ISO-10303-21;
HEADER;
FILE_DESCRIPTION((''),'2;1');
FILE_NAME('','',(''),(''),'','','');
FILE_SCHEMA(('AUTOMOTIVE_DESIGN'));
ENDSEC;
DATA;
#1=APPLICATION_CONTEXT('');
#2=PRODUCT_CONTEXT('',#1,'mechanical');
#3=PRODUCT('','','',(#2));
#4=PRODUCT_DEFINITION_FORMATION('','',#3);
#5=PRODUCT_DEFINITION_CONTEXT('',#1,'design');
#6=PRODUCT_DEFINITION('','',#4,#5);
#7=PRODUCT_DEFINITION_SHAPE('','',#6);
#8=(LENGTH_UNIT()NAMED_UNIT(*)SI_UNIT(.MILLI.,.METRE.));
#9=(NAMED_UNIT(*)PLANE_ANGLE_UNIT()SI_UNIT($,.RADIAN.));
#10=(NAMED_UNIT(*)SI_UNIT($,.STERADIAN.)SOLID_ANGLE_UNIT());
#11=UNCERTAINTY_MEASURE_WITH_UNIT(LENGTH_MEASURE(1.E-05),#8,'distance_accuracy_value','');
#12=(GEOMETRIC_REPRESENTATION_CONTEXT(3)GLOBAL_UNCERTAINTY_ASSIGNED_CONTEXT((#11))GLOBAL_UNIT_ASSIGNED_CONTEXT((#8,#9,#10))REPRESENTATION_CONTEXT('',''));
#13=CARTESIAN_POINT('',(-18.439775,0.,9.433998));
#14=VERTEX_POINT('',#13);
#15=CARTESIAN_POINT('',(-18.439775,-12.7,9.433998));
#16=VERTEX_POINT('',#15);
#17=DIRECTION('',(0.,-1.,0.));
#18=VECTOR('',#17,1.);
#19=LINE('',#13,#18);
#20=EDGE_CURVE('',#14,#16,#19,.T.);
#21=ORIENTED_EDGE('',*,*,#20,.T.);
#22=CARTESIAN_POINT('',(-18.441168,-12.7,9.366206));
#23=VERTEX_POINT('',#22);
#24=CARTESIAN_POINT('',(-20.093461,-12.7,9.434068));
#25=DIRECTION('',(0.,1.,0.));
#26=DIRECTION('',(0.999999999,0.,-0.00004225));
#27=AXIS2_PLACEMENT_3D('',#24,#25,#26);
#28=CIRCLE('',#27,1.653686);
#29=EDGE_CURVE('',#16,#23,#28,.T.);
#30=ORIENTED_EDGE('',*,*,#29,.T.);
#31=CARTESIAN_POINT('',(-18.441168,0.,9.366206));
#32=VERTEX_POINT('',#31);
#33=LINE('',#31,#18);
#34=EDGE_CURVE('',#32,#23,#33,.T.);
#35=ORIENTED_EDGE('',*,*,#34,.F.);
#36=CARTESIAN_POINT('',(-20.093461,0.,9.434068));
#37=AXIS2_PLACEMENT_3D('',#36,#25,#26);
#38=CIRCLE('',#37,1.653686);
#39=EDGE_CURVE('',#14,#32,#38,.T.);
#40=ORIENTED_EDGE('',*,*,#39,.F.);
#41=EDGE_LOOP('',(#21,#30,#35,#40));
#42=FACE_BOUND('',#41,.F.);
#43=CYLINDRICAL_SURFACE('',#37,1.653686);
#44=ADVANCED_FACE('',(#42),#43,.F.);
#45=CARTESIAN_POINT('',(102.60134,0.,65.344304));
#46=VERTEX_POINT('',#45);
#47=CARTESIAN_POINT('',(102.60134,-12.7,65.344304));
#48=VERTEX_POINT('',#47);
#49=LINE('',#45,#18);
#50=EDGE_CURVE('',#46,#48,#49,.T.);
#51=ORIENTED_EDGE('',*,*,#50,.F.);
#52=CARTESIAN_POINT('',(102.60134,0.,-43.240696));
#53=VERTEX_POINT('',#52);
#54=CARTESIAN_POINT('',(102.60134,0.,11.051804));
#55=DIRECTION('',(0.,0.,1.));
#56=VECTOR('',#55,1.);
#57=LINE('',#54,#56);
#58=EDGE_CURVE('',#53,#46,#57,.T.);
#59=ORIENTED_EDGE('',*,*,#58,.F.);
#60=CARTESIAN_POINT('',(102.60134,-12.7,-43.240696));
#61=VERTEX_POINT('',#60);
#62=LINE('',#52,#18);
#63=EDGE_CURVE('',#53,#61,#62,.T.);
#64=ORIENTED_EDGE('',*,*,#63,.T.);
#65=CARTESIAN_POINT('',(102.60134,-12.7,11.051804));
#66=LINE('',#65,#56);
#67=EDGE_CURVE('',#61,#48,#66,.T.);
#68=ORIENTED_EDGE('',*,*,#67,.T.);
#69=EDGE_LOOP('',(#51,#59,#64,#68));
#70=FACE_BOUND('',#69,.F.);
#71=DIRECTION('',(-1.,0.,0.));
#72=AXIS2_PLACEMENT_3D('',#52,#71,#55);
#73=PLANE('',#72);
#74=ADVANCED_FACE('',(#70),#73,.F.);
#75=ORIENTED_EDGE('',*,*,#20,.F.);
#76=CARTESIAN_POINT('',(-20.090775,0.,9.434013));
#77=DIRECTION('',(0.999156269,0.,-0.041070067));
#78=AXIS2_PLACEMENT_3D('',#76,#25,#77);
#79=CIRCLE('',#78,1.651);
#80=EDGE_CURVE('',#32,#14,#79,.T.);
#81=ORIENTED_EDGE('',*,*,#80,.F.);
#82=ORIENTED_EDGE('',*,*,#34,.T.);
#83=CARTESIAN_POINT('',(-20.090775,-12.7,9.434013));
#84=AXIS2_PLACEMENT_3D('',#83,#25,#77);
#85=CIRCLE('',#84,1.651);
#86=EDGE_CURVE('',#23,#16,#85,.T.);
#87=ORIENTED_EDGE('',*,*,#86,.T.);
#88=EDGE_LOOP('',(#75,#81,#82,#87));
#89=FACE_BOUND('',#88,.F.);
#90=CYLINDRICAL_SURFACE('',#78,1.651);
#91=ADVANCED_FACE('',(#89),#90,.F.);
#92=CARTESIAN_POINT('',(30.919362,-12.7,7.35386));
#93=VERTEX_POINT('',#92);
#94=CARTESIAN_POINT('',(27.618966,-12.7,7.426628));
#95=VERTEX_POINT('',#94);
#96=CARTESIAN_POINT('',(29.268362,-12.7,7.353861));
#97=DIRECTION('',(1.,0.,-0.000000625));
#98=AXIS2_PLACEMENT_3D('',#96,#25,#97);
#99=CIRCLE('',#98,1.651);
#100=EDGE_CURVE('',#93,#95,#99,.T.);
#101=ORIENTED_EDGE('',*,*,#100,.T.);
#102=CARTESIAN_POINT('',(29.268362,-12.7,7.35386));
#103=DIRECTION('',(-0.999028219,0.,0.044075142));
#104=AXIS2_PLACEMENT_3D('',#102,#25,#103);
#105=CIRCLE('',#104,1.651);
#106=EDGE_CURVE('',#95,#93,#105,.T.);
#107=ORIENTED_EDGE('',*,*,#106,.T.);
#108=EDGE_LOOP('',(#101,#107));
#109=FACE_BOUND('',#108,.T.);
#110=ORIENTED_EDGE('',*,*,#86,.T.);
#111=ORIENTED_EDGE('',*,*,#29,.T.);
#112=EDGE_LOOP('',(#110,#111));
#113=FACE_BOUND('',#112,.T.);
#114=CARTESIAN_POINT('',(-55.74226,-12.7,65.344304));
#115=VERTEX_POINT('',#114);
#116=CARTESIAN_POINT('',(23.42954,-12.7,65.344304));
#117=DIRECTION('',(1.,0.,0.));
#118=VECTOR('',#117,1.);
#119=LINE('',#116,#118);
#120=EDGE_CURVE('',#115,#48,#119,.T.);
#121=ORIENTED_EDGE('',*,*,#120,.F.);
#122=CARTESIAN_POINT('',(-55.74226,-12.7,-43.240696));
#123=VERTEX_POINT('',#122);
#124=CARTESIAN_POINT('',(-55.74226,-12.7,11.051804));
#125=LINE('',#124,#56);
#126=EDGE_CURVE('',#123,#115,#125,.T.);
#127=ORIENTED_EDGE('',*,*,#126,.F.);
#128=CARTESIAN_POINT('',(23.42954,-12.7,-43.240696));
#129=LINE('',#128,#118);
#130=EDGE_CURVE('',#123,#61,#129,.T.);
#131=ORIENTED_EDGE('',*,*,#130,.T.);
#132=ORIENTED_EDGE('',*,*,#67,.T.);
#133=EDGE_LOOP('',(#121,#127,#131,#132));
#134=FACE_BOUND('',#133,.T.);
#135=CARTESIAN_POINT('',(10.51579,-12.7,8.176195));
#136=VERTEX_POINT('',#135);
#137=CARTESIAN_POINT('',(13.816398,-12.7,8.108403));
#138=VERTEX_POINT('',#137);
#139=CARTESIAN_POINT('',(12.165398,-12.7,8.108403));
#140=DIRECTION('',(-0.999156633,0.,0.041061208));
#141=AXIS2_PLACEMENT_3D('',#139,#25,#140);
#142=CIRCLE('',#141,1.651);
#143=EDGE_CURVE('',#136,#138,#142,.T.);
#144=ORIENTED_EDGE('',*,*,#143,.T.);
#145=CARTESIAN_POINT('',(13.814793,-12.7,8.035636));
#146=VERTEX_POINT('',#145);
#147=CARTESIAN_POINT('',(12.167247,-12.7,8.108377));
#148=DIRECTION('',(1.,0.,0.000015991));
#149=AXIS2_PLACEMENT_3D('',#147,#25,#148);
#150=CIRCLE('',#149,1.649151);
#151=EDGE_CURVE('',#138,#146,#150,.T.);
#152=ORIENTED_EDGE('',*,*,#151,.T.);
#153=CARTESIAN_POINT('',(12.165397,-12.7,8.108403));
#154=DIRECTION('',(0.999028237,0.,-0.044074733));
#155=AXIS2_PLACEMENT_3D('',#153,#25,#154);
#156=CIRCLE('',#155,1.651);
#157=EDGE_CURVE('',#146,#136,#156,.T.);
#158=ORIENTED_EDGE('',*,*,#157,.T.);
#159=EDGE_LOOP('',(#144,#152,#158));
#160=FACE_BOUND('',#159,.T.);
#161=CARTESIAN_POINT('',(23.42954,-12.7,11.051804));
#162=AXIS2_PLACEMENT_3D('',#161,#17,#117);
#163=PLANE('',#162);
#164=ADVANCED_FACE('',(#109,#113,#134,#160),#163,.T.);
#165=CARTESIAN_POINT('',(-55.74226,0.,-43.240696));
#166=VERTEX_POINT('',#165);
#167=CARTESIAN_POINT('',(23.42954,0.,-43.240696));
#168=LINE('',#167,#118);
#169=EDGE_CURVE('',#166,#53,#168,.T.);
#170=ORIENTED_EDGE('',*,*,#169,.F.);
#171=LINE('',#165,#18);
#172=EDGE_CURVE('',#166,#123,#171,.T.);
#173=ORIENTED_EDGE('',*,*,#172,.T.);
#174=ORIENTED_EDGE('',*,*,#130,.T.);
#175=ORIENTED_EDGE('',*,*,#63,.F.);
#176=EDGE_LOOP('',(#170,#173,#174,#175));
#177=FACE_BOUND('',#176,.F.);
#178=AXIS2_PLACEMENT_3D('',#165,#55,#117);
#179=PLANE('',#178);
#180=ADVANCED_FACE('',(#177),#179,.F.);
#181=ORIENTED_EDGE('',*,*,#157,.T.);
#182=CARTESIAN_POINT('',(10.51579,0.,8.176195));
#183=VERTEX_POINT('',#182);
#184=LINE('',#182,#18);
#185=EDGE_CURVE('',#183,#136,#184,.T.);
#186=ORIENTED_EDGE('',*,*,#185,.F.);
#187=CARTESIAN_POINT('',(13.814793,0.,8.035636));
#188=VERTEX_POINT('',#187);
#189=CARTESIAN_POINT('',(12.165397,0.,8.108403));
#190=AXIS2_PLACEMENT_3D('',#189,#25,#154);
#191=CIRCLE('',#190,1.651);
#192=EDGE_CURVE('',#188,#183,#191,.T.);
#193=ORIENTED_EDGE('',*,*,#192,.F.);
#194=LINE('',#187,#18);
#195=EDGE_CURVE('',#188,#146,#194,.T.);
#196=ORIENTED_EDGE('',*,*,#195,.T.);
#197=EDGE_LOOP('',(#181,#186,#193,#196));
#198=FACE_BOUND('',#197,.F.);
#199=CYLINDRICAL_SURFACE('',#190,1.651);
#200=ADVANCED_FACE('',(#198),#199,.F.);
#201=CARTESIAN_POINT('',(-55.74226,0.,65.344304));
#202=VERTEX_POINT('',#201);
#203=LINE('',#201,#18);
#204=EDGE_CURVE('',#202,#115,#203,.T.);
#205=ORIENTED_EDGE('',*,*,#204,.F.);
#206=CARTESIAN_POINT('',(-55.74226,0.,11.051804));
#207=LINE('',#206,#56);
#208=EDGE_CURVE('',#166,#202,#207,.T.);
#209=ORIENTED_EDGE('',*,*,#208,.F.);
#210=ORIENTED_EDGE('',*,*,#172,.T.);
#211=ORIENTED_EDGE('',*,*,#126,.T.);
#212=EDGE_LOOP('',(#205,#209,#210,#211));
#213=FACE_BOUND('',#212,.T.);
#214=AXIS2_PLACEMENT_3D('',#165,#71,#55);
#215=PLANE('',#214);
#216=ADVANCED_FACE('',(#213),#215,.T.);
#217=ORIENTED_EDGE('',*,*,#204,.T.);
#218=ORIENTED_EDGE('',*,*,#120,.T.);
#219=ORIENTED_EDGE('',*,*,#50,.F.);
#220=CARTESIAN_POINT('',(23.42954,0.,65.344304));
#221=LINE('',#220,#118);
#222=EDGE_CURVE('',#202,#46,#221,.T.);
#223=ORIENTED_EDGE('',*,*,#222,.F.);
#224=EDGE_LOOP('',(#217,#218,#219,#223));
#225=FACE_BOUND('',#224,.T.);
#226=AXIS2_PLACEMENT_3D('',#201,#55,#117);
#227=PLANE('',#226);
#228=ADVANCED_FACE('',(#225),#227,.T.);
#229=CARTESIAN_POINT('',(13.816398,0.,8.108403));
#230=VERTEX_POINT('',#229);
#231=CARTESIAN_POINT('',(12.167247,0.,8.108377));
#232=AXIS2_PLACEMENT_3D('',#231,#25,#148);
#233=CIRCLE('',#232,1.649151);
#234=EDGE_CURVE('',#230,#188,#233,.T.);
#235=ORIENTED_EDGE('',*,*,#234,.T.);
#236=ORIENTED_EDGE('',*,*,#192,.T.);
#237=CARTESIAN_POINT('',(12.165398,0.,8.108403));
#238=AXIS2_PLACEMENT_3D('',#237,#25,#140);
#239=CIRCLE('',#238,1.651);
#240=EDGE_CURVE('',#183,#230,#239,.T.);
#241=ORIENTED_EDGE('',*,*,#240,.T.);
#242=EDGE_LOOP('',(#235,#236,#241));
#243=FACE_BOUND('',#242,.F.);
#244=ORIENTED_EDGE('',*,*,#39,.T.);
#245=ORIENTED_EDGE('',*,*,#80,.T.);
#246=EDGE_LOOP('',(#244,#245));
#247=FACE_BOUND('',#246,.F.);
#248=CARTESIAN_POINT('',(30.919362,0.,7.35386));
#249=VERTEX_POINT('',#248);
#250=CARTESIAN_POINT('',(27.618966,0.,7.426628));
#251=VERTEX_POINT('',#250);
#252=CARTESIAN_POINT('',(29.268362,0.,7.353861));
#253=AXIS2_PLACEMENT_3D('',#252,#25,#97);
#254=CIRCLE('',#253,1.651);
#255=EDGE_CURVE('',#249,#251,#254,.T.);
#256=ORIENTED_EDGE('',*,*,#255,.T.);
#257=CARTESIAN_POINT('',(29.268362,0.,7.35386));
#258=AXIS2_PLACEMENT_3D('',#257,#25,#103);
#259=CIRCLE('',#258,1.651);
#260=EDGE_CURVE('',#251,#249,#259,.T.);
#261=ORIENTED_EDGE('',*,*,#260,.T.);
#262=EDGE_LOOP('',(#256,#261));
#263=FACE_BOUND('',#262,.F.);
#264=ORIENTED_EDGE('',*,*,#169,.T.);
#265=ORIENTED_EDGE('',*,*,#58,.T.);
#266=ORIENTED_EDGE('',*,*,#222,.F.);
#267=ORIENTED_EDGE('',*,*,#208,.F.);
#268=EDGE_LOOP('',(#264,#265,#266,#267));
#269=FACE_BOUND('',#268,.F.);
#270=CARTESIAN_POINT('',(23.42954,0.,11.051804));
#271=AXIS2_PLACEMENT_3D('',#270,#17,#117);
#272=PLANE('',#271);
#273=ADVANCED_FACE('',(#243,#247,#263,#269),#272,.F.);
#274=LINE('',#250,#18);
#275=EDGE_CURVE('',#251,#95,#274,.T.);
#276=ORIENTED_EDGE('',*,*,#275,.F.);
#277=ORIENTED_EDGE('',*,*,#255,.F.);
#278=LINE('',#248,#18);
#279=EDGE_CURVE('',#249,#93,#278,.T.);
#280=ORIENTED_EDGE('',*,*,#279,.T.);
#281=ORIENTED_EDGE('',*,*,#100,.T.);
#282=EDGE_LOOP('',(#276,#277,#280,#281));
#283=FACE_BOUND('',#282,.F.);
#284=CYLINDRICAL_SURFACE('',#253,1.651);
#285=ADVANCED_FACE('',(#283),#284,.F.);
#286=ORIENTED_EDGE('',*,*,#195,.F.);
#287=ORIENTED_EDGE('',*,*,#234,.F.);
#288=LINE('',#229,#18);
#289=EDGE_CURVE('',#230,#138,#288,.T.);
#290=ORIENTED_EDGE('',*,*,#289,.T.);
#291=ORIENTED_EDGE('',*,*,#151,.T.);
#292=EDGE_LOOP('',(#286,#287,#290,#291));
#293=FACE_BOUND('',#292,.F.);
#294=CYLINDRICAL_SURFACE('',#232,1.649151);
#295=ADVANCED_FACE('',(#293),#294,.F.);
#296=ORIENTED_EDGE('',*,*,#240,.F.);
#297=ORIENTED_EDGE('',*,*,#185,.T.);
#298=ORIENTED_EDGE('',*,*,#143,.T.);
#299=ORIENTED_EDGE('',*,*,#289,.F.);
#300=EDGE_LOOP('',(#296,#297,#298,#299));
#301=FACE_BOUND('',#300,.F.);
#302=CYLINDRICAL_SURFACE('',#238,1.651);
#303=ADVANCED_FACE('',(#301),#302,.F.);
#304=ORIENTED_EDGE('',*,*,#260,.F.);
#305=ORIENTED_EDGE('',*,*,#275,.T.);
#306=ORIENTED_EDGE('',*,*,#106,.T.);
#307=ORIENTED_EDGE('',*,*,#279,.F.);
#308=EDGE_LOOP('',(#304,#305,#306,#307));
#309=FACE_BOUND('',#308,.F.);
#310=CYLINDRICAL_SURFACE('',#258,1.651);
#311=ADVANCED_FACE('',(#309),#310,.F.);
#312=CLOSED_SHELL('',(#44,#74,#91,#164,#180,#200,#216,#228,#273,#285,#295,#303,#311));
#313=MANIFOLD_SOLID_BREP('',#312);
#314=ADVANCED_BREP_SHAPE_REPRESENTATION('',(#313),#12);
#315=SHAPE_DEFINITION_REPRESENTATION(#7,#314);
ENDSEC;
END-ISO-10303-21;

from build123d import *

# Parameters (mm, degrees)
F0_W     = 158.3436
F0_H     = 108.585
F1_DEPTH = 12.7


with BuildPart() as f1:
    # F0 (on Front) → F1 (new body)
    with BuildSketch(Plane.XZ):
        with Locations((23.42954, 11.051804)):
            Rectangle(F0_W, F0_H)
        with BuildLine():
            ThreePointArc((-18.441168, 9.366206), (-21.741427, 9.467902), (-18.439775, 9.433998))
            ThreePointArc((-18.439775, 9.433998), (-18.440124, 9.400095), (-18.441168, 9.366206))
        make_face(mode=Mode.SUBTRACT)
        with BuildLine():
            ThreePointArc((13.814793, 8.035636), (12.095118, 6.4589), (10.51579, 8.176195))
            ThreePointArc((10.51579, 8.176195), (12.199301, 9.759055), (13.816398, 8.108403))
            ThreePointArc((13.816398, 8.108403), (13.815997, 8.072011), (13.814793, 8.035636))
        make_face(mode=Mode.SUBTRACT)
        with BuildLine():
            ThreePointArc((30.919362, 7.35386), (29.231969, 5.703262), (27.618966, 7.426628))
            ThreePointArc((27.618966, 7.426628), (29.304754, 9.004459), (30.919362, 7.35386))
        make_face(mode=Mode.SUBTRACT)
    extrude(amount=F1_DEPTH)


solid = f1.part
